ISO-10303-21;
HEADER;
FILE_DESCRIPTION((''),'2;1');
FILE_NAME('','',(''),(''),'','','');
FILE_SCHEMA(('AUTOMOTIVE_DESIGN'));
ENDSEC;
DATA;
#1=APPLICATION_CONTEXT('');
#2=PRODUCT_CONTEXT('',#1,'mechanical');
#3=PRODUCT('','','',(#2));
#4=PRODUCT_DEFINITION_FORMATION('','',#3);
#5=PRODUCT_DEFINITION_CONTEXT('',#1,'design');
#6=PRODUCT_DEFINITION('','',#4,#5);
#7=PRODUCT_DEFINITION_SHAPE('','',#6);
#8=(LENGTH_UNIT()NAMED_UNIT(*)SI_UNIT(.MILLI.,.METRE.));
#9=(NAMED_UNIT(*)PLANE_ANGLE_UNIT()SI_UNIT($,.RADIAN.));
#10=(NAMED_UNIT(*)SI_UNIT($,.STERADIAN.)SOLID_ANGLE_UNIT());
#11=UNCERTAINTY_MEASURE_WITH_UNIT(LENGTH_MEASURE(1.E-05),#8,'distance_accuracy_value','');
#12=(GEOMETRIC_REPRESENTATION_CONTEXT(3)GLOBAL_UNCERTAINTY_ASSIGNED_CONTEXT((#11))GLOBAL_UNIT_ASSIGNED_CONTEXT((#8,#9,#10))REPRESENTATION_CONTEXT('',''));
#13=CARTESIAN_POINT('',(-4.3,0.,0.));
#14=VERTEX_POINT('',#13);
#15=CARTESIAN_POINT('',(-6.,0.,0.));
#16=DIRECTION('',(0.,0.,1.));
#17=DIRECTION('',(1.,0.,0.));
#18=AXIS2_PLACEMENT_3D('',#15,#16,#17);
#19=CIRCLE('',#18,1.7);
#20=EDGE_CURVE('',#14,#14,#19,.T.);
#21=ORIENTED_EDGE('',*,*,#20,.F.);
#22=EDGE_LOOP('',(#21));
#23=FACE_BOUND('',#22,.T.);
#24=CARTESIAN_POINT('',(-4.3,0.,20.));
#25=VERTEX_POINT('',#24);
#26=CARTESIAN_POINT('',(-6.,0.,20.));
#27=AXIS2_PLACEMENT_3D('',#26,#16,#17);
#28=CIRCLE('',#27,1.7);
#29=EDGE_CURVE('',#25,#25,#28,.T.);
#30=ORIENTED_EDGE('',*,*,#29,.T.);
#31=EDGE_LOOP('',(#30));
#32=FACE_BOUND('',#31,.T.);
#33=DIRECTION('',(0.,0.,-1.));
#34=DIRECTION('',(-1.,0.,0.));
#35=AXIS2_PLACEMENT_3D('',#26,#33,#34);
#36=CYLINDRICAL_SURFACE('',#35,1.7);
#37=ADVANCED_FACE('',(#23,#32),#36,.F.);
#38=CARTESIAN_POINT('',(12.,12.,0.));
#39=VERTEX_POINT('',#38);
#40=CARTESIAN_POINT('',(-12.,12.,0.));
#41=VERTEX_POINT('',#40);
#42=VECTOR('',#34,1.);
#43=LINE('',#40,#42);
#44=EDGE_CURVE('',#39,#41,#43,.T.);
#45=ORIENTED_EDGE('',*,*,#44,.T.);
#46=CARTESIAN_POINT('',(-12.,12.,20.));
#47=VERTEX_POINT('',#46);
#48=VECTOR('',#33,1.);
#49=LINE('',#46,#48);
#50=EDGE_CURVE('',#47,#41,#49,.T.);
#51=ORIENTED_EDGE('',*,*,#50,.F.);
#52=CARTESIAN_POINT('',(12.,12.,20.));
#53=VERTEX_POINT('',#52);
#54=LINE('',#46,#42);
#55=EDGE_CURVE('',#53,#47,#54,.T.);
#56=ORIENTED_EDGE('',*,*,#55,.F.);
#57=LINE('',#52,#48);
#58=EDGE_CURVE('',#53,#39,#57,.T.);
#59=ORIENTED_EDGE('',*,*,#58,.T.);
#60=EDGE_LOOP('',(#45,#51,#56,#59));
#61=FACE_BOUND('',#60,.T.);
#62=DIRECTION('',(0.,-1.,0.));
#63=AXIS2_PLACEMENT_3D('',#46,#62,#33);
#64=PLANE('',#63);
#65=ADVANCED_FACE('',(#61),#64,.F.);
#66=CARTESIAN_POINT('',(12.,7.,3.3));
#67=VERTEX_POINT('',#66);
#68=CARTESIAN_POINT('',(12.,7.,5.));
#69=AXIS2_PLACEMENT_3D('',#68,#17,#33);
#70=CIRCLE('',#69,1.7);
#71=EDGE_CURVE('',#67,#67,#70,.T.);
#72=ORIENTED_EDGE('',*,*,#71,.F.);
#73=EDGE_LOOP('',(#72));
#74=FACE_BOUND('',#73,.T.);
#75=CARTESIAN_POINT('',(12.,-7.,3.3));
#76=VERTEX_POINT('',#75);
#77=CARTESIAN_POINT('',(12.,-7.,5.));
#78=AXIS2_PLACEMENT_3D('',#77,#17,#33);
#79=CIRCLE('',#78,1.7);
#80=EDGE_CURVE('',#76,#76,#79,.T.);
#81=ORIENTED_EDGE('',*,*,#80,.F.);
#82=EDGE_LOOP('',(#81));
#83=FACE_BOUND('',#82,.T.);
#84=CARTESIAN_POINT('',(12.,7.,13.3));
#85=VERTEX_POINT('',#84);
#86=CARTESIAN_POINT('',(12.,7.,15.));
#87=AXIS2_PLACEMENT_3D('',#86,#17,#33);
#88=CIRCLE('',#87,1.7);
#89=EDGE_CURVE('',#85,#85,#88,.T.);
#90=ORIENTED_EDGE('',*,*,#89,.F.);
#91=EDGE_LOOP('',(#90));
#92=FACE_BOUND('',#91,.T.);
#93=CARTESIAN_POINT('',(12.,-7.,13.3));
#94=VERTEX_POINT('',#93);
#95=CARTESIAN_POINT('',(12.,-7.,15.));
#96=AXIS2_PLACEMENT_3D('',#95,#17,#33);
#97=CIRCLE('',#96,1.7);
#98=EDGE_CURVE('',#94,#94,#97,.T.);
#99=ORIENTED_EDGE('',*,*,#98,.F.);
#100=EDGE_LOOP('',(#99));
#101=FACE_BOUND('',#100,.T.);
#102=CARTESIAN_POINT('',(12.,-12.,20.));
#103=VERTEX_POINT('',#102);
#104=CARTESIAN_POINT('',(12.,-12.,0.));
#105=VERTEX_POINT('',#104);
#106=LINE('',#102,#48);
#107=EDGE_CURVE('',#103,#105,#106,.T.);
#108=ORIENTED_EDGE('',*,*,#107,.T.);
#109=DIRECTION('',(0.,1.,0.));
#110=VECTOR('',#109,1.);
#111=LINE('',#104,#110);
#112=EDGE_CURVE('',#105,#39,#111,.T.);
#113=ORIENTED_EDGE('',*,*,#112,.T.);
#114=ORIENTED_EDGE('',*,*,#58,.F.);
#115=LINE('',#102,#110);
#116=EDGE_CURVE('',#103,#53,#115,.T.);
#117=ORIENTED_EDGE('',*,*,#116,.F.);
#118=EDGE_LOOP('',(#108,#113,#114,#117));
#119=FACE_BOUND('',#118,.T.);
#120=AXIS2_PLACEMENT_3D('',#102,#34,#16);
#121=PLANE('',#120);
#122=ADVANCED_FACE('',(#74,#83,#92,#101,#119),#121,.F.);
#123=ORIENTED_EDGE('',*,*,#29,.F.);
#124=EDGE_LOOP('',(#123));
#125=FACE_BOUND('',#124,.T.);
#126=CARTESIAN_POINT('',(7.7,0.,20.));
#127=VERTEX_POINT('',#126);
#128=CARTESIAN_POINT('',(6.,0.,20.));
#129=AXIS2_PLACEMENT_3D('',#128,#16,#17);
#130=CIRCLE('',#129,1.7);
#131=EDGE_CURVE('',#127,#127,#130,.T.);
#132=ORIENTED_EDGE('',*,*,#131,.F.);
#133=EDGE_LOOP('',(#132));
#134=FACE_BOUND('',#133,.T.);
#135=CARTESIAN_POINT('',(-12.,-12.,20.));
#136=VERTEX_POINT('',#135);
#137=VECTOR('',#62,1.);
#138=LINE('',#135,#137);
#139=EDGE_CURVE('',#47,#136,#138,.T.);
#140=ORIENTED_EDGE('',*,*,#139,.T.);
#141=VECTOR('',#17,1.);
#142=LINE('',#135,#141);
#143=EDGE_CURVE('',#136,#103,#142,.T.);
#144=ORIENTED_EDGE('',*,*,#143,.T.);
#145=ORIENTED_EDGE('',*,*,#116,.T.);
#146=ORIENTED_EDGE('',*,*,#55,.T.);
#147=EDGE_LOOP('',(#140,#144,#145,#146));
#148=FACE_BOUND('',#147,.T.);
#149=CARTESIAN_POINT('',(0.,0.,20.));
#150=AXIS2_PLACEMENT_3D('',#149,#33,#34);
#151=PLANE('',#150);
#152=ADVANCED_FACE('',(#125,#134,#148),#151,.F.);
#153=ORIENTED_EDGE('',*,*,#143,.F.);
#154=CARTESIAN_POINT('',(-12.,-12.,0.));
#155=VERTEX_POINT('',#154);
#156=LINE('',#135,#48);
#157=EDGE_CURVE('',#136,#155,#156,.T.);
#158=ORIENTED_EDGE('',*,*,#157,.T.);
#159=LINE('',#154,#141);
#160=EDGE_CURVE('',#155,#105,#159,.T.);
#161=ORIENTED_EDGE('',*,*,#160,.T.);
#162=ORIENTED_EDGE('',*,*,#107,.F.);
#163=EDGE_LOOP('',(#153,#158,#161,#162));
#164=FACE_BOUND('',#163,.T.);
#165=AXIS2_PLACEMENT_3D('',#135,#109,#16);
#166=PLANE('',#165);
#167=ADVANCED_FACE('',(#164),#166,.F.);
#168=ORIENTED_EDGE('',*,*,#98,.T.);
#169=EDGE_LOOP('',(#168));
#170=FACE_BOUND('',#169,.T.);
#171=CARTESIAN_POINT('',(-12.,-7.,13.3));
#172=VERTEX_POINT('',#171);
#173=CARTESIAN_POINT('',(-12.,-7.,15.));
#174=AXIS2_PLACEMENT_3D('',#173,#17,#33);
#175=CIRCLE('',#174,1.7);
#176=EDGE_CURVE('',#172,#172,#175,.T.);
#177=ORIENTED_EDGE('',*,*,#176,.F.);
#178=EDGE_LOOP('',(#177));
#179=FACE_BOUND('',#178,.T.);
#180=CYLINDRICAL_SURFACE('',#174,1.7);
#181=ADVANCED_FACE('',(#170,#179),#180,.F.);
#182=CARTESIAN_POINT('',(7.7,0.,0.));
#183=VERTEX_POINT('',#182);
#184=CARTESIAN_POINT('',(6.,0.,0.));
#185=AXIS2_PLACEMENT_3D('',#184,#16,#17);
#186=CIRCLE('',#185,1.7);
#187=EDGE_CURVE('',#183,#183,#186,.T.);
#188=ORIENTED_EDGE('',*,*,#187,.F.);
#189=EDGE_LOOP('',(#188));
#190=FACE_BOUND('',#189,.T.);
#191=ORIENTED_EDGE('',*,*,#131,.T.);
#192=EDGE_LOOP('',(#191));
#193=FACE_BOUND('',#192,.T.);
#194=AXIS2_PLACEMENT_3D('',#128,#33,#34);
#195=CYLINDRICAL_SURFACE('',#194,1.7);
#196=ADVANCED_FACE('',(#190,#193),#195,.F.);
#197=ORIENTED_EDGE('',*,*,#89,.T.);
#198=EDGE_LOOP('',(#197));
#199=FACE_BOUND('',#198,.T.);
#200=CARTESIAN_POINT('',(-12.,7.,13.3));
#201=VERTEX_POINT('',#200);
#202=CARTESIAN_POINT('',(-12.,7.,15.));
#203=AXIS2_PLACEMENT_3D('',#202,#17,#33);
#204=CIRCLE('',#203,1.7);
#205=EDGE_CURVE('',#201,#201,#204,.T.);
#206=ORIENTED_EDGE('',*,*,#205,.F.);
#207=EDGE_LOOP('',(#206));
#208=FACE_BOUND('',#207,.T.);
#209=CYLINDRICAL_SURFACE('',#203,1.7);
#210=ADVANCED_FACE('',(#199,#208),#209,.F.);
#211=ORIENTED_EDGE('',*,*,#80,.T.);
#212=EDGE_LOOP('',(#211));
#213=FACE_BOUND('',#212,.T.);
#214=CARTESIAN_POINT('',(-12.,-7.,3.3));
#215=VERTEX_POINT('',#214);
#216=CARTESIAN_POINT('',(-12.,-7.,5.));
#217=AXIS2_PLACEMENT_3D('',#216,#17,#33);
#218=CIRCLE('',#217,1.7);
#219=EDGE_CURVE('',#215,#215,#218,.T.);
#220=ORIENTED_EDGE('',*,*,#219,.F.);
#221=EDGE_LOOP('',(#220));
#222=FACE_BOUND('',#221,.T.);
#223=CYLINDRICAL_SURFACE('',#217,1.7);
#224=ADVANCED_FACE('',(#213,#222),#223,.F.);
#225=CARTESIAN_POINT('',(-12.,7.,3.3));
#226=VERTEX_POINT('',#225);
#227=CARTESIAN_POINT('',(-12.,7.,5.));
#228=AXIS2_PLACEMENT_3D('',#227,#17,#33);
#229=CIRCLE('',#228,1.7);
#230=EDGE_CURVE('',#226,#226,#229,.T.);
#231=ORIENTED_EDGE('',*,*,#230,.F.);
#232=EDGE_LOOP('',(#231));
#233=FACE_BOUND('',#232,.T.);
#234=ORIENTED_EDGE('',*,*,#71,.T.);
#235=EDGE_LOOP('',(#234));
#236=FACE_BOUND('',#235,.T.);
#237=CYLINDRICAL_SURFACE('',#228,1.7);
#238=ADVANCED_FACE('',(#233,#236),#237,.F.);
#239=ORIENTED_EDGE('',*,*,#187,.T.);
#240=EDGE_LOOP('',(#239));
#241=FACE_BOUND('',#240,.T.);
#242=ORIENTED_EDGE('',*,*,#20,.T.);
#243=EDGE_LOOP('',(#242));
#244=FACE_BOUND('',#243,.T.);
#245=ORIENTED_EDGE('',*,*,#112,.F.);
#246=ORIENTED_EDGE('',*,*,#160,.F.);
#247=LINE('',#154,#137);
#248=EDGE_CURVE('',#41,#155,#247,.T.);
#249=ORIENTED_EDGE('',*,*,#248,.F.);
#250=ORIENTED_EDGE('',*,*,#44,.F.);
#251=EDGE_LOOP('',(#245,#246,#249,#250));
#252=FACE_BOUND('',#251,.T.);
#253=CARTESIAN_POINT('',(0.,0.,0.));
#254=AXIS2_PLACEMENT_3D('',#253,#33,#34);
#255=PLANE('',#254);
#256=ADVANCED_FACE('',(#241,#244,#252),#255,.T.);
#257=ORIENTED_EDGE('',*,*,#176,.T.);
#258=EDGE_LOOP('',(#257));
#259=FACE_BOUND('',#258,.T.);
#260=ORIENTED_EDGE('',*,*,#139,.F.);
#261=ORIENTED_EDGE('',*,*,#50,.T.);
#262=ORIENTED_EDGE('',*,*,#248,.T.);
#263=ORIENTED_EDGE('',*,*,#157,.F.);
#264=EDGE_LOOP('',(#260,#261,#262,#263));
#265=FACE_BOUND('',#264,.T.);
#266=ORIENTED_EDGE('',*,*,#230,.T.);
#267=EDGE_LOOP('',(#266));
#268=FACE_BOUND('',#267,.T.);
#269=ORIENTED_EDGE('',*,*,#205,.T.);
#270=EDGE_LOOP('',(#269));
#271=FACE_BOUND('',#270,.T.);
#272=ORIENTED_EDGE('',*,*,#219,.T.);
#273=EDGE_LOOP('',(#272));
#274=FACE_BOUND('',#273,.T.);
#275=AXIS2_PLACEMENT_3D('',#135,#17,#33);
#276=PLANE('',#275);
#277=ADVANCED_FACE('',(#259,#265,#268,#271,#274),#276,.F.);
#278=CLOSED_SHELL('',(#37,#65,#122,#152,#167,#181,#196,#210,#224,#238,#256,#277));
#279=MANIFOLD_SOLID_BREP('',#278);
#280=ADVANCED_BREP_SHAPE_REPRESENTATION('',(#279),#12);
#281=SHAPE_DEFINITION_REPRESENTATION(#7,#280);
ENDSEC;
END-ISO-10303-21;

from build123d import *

# Parameters (mm, degrees)
SKETCH_1_W                                          = 24
SKETCH_1_H                                          = 24
SKETCH_1_R                                          = 1.7
WRIST_SPACER_W20_DEPTH                              = 20
GRIPPER_ADAPTER_M3_14X10_NOT_SG90_DIRECT_DEPTH      = 27.229754097
GRIPPER_ADAPTER_M3_14X10_NOT_SG90_DIRECT_DEPTH_BACK = 27.229754097
SKETCH_2_R                                          = 1.7


with BuildPart() as part:
    # 草图1 → Wrist_spacer_W20 (new body)
    with BuildSketch(Plane.XY):
        Rectangle(SKETCH_1_W, SKETCH_1_H)
        with Locations((-6, 0)):
            Circle(SKETCH_1_R, mode=Mode.SUBTRACT)
        with Locations((6, 0)):
            Circle(SKETCH_1_R, mode=Mode.SUBTRACT)
    extrude(amount=WRIST_SPACER_W20_DEPTH)

    # 草图2 → Gripper_adapter_M3_14x10_NOT_SG90_DIRECT (cut, two sides: drawn at the far end of the back side and taken through both)
    with BuildSketch(Plane(origin=(0, 0, 0), x_dir=(0, 0, -1), z_dir=(1, 0, 0)).offset(-GRIPPER_ADAPTER_M3_14X10_NOT_SG90_DIRECT_DEPTH_BACK)):
        with Locations((-5, -7)):
            Circle(SKETCH_2_R)
        with Locations((-15, -7)):
            Circle(SKETCH_2_R)
        with Locations((-5, 7)):
            Circle(SKETCH_2_R)
        with Locations((-15, 7)):
            Circle(SKETCH_2_R)
    extrude(amount=GRIPPER_ADAPTER_M3_14X10_NOT_SG90_DIRECT_DEPTH + GRIPPER_ADAPTER_M3_14X10_NOT_SG90_DIRECT_DEPTH_BACK, mode=Mode.SUBTRACT)


solid = part.part
